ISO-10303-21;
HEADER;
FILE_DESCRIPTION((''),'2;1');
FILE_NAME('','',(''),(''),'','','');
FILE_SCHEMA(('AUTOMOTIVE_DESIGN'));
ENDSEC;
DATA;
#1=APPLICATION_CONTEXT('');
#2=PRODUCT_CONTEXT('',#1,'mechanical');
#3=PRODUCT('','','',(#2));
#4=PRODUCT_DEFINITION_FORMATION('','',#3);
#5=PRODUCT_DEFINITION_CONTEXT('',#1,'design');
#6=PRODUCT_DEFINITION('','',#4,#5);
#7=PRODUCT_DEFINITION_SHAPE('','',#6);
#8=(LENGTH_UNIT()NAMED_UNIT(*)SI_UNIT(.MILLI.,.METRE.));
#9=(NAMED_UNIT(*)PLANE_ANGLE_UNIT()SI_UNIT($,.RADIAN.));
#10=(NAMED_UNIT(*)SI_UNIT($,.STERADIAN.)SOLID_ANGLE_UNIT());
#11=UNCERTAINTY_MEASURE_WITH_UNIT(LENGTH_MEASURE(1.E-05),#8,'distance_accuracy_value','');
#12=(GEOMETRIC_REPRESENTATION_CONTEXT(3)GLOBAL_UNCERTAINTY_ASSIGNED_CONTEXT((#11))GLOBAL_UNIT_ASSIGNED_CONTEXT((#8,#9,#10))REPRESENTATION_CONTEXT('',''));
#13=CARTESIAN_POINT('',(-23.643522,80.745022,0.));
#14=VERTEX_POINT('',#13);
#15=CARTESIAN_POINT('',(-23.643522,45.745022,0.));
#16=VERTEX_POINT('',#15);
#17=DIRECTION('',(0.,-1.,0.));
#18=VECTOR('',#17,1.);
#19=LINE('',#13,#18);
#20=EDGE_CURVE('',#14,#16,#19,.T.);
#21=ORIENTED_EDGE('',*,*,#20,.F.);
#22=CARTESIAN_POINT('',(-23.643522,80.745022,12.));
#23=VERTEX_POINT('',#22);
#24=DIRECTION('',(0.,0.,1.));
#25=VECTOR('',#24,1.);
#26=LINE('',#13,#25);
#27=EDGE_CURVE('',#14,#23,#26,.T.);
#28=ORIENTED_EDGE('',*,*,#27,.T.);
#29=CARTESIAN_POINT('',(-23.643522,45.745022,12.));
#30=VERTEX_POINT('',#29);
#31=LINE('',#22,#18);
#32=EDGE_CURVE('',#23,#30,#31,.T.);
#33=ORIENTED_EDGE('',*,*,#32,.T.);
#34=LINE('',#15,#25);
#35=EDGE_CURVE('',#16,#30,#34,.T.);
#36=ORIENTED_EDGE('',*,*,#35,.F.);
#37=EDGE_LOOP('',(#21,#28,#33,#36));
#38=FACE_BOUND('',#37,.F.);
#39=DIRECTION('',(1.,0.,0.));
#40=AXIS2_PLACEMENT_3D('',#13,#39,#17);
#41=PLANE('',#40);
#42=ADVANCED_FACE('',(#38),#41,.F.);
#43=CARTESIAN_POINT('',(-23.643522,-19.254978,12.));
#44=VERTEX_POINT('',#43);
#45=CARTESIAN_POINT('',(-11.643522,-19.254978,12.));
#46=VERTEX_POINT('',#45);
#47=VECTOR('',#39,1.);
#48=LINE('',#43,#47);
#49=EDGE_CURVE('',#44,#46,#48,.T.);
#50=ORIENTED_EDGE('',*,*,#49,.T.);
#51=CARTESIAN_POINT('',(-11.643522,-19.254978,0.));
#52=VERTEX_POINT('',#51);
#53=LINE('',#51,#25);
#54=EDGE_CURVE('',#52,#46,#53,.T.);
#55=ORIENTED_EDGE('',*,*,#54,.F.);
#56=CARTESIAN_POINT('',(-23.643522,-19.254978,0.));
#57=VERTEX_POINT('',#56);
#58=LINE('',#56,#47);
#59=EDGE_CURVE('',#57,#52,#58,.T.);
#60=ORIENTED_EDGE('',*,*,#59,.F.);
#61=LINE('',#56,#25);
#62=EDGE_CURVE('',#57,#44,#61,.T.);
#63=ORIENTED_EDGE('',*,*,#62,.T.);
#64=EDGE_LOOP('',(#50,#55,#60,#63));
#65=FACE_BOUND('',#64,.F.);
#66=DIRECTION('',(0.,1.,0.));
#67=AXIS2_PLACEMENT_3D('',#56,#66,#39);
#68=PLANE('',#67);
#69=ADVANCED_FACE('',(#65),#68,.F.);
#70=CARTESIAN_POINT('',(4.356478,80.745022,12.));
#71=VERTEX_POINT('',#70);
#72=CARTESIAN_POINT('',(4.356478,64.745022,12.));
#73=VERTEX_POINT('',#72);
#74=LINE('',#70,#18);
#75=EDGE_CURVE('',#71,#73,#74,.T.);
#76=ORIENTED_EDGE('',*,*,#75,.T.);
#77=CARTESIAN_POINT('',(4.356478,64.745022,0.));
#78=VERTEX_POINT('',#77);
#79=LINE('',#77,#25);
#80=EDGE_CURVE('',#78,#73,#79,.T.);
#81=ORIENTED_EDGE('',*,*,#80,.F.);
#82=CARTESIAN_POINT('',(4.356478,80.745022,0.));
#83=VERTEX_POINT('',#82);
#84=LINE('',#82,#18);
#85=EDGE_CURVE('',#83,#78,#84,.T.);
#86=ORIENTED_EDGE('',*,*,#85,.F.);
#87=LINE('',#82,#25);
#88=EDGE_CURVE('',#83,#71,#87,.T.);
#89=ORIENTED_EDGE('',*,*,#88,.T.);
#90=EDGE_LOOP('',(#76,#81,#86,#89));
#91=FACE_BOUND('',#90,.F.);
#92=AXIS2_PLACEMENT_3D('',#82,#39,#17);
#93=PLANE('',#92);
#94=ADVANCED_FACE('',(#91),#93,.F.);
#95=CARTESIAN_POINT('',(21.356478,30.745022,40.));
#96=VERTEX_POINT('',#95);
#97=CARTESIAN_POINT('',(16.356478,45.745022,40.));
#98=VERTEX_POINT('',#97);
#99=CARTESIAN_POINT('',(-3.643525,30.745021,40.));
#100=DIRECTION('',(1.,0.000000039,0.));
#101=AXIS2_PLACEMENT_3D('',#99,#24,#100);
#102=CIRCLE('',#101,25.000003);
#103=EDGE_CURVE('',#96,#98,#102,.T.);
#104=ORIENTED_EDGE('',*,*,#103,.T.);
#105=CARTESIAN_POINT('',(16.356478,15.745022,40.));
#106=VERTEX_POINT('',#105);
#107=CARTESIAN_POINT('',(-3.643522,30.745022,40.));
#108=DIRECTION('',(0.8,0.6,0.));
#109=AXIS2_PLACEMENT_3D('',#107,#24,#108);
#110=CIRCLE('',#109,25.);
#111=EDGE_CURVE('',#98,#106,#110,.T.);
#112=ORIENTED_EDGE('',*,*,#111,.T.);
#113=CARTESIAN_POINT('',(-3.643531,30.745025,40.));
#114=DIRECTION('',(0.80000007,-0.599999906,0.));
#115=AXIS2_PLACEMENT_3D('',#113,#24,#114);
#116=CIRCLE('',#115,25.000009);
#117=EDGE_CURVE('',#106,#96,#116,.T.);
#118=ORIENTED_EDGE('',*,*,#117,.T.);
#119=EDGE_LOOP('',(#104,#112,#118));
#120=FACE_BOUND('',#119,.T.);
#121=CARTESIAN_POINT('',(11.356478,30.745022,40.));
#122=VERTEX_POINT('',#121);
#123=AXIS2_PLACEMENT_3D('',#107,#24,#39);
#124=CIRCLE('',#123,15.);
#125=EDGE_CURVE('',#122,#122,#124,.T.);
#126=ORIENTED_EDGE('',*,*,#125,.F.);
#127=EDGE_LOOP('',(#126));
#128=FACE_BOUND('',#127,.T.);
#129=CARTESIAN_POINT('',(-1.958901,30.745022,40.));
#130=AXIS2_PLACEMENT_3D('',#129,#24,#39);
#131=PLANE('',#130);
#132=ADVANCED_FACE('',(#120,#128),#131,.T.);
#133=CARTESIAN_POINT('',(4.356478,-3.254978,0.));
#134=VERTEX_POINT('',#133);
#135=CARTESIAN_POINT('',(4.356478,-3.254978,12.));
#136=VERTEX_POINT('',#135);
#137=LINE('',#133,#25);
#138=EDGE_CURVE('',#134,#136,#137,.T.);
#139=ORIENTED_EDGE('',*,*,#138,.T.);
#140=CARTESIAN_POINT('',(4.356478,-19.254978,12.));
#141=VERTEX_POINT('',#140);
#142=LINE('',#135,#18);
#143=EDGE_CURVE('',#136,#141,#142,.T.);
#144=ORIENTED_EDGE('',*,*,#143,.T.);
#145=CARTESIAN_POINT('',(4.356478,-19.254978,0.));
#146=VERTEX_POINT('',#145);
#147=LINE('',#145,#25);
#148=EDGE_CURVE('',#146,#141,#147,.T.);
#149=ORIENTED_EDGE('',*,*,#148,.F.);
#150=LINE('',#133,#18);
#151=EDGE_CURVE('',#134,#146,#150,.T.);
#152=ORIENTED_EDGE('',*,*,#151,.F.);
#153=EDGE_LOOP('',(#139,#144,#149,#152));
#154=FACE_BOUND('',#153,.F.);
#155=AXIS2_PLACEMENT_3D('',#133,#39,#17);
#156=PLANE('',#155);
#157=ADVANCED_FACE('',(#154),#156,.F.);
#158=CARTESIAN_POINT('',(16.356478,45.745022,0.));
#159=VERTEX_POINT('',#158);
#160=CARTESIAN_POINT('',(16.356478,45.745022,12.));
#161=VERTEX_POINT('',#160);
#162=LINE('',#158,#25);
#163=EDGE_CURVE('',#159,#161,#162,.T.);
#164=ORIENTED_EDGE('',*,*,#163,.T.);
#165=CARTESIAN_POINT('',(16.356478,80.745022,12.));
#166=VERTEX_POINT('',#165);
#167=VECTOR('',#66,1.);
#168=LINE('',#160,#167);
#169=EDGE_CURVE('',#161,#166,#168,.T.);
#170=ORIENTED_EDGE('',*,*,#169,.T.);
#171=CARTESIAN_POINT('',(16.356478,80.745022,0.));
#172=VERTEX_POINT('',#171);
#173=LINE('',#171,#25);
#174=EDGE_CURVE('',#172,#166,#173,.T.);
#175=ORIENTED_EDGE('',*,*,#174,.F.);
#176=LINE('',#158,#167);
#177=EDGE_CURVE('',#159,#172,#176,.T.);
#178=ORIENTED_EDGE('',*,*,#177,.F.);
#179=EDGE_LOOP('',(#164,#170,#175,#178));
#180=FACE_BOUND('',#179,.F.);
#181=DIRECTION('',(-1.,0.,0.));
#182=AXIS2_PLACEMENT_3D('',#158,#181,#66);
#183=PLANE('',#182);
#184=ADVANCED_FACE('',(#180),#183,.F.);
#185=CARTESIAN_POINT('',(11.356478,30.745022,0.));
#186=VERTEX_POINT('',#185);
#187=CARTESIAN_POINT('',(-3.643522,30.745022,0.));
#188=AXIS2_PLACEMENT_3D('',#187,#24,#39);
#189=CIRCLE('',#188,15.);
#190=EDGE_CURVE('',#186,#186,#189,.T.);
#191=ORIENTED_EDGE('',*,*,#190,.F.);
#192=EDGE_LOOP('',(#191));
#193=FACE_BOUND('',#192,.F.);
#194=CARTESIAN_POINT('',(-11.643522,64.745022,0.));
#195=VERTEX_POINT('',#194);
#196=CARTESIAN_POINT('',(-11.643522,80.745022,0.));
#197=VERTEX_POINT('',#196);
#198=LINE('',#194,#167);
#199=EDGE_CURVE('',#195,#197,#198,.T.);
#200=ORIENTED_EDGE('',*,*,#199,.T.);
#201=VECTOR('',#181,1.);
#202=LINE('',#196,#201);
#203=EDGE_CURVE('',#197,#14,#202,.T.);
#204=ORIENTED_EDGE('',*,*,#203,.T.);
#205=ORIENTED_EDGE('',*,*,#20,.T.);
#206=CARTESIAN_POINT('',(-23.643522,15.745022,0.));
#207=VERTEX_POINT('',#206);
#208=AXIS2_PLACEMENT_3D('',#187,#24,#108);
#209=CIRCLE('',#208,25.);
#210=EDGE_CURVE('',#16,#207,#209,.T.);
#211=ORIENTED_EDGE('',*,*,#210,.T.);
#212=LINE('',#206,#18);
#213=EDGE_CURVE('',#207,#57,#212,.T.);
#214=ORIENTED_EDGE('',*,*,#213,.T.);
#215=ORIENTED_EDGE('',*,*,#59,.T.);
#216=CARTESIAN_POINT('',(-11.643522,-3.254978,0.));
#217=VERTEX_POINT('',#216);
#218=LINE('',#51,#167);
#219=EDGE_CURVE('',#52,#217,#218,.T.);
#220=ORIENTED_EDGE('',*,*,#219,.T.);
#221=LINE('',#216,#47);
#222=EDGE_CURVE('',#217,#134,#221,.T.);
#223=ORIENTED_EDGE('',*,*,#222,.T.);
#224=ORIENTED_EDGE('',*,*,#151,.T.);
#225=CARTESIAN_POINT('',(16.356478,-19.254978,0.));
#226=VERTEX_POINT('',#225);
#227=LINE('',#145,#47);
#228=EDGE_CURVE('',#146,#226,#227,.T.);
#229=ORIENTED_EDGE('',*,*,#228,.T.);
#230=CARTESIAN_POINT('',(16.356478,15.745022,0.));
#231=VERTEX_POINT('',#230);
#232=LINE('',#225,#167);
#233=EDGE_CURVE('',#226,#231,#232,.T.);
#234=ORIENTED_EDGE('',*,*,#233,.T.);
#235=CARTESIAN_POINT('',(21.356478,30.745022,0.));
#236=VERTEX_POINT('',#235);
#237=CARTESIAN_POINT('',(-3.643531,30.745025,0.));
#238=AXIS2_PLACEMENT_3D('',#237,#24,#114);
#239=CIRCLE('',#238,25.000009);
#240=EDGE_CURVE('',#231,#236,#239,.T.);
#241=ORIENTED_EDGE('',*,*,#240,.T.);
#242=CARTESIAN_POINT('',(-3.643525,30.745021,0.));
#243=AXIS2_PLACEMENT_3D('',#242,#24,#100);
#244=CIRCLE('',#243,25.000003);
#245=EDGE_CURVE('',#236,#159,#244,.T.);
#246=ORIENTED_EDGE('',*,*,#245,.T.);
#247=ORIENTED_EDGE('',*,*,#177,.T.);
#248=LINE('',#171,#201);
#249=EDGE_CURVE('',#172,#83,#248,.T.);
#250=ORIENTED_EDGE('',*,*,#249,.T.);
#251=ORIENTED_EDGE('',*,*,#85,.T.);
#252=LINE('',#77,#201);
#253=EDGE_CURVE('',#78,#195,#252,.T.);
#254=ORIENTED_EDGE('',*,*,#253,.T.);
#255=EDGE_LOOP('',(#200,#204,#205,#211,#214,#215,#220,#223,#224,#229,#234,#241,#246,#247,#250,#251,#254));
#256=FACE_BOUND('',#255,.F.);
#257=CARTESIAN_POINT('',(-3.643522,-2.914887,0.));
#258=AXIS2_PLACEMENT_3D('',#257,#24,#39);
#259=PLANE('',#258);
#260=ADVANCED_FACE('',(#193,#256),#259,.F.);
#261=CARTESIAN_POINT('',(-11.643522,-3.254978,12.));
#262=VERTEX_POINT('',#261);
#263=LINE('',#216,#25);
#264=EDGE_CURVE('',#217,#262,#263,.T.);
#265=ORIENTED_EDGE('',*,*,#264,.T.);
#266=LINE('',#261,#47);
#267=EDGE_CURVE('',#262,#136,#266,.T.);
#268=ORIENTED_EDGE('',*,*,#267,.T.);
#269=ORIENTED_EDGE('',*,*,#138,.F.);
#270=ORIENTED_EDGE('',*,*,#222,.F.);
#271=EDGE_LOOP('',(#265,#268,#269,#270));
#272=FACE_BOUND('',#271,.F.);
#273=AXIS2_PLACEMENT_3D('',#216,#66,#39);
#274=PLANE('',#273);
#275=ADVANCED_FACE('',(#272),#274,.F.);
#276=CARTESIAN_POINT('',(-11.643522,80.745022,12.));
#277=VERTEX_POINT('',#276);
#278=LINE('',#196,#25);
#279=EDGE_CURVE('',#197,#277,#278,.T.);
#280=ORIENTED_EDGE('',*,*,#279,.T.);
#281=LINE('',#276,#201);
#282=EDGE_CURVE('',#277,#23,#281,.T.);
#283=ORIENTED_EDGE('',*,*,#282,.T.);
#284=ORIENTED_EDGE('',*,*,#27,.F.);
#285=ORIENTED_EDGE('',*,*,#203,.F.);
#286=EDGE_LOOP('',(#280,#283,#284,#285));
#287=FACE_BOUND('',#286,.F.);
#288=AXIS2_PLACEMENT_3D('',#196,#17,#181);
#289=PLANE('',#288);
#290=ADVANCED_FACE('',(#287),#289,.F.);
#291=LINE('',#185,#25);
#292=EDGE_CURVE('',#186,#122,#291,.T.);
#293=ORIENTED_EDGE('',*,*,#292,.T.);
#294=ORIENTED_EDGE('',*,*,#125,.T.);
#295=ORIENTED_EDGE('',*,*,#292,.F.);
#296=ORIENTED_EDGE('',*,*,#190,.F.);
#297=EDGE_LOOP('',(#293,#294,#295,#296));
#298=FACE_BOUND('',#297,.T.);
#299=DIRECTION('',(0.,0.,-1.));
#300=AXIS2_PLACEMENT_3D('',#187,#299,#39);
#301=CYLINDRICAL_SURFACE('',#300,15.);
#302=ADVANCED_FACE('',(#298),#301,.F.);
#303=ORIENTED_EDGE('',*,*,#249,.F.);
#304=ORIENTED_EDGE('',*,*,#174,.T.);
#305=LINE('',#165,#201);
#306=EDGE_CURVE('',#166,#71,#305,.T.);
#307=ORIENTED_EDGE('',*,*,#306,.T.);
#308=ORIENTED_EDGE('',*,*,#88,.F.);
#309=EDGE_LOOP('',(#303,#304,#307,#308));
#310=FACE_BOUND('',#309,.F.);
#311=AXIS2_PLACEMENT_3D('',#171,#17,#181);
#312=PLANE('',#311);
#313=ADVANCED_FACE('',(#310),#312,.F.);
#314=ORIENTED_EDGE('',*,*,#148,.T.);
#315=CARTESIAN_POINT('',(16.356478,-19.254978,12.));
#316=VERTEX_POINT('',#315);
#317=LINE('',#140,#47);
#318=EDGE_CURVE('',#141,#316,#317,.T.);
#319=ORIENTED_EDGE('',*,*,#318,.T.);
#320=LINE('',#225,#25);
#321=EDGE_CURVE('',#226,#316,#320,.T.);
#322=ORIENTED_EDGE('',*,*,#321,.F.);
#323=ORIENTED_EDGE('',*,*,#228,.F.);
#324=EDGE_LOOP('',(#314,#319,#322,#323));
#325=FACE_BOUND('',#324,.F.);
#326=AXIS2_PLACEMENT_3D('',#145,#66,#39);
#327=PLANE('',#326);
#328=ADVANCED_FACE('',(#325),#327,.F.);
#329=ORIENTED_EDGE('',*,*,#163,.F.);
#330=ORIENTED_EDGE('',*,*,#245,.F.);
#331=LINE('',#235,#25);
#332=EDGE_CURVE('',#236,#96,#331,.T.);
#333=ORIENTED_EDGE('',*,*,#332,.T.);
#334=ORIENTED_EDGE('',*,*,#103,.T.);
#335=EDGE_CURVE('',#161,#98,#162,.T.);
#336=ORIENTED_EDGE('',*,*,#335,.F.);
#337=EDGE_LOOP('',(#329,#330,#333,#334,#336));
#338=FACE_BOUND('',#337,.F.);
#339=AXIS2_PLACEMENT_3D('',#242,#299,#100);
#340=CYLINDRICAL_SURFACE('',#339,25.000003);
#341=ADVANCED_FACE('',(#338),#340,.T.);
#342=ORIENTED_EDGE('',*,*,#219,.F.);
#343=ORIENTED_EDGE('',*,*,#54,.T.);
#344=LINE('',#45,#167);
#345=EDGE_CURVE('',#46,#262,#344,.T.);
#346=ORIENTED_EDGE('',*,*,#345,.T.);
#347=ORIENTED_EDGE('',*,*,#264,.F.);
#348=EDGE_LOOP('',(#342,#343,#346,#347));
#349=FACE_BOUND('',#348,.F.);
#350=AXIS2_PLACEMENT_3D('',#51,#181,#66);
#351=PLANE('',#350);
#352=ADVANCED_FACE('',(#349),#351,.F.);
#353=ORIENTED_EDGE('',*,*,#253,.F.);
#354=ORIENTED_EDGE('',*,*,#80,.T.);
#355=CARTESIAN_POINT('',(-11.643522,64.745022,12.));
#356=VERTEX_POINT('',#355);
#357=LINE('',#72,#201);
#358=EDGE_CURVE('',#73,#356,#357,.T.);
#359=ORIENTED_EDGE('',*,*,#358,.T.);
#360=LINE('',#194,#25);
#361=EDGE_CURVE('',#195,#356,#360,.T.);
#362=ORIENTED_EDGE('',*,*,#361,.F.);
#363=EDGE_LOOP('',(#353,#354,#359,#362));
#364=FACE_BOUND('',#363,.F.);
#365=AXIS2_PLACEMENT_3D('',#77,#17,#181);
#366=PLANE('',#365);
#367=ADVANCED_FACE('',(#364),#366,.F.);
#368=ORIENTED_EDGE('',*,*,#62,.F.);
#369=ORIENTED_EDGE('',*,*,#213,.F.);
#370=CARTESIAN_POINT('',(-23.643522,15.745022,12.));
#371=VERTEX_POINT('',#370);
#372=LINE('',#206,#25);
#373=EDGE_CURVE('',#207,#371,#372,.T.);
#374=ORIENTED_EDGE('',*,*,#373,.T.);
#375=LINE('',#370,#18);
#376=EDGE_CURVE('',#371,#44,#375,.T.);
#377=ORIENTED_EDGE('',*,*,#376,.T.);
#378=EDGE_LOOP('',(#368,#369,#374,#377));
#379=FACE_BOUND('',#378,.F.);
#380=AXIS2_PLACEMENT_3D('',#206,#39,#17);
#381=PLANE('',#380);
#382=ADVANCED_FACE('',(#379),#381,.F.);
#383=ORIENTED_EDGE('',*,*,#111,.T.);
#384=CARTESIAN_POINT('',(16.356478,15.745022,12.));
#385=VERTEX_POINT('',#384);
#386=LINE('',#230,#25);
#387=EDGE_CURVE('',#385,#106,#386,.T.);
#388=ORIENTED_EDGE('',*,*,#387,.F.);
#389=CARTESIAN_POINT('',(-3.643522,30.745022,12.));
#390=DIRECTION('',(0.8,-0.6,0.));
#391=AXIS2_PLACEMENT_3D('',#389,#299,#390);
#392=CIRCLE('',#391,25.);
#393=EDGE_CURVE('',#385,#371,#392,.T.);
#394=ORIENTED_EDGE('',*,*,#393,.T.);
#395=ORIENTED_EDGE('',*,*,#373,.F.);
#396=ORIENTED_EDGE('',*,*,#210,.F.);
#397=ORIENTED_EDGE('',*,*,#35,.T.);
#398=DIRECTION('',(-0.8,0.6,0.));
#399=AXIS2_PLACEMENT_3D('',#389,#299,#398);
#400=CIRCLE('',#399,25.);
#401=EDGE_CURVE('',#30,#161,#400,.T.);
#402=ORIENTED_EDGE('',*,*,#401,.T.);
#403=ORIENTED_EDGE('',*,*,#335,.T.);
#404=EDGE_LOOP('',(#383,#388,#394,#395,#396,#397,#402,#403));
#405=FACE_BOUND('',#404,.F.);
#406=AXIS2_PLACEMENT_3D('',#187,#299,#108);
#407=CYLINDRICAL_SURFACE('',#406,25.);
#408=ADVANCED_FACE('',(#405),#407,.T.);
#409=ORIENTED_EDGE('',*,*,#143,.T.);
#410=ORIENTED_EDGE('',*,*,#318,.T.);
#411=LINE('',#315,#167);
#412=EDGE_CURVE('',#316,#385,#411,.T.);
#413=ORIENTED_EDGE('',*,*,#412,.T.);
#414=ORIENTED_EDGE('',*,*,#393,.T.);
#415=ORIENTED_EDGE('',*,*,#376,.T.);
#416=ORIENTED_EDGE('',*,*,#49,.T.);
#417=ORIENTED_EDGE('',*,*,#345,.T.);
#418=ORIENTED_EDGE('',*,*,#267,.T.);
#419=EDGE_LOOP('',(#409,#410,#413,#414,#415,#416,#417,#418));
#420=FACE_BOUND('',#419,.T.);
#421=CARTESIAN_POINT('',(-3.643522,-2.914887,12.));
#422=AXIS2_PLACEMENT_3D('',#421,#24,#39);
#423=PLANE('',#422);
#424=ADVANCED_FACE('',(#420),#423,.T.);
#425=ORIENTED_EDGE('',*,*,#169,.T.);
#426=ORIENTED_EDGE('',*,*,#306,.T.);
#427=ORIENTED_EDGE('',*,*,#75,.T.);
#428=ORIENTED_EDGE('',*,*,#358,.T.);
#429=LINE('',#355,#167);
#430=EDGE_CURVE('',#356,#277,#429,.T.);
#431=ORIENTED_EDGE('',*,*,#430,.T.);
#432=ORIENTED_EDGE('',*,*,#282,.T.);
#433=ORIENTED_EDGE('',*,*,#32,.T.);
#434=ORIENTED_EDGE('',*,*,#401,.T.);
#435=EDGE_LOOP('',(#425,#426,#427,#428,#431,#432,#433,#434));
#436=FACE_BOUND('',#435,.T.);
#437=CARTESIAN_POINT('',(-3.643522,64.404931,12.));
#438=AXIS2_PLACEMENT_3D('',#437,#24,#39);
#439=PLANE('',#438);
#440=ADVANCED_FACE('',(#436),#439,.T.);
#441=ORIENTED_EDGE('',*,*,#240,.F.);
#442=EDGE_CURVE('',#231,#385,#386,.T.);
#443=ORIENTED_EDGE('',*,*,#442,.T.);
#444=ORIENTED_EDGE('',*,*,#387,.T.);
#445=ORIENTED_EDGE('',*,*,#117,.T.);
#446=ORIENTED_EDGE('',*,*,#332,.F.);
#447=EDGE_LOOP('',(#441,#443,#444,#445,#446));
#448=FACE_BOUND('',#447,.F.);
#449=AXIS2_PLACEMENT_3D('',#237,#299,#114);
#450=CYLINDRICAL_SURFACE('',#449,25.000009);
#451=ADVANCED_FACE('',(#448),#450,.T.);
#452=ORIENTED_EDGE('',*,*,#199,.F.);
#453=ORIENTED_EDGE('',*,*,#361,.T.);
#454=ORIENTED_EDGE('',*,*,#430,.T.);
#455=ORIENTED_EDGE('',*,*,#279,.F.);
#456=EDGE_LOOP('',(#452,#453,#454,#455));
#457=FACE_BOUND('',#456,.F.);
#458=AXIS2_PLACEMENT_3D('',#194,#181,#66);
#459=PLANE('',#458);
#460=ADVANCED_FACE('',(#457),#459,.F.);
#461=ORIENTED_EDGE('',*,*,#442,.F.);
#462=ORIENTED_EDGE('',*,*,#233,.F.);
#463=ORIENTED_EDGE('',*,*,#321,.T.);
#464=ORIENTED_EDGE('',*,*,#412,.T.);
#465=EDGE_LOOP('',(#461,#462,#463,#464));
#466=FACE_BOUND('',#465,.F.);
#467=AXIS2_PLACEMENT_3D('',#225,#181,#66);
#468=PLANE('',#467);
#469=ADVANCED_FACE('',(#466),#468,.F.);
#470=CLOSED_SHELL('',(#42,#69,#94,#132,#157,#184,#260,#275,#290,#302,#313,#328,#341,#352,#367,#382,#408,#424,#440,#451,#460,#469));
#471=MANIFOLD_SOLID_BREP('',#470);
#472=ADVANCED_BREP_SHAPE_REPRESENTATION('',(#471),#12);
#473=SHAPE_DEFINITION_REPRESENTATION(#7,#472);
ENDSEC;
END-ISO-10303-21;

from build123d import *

# Parameters (mm, degrees)
F0_R     = 15
F1_DEPTH = 40
F2_DEPTH = 12


with BuildPart() as f1:
    # F0 (on Top) → F1 (new body)
    with BuildSketch(Plane.XY):
        with BuildLine():
            ThreePointArc((-23.643522, 45.745022), (-28.643522, 30.745022), (-23.643522, 15.745022))
            ThreePointArc((-23.643522, 15.745022), (-3.643522, 5.745022), (16.356478, 15.745022))
            ThreePointArc((16.356478, 15.745022), (20.07356, 22.839328), (21.356478, 30.745022))
            ThreePointArc((21.356478, 30.745022), (20.07356, 38.650717), (16.356478, 45.745022))
            ThreePointArc((16.356478, 45.745022), (-3.643522, 55.745022), (-23.643522, 45.745022))
        make_face()
        with Locations((-3.643522, 30.745022)):
            Circle(F0_R, mode=Mode.SUBTRACT)
    extrude(amount=F1_DEPTH)

    # F0 (on Top) → F2 (join)
    with BuildSketch(Plane.XY):
        with BuildLine():
            Line((-23.643522, 15.745022), (-23.643522, -19.254978))
            Line((-23.643522, -19.254978), (-11.643522, -19.254978))
            Line((-11.643522, -19.254978), (-11.643522, -3.254978))
            Line((-11.643522, -3.254978), (4.356478, -3.254978))
            Line((4.356478, -3.254978), (4.356478, -19.254978))
            Line((4.356478, -19.254978), (16.356478, -19.254978))
            Line((16.356478, -19.254978), (16.356478, 15.745022))
            ThreePointArc((16.356478, 15.745022), (-3.643522, 5.745022), (-23.643522, 15.745022))
        make_face()
        with BuildLine():
            Line((-23.643522, 80.745022), (-23.643522, 45.745022))
            ThreePointArc((-23.643522, 45.745022), (-3.643522, 55.745022), (16.356478, 45.745022))
            Line((16.356478, 45.745022), (16.356478, 80.745022))
            Line((16.356478, 80.745022), (4.356478, 80.745022))
            Line((4.356478, 80.745022), (4.356478, 64.745022))
            Line((4.356478, 64.745022), (-11.643522, 64.745022))
            Line((-11.643522, 64.745022), (-11.643522, 80.745022))
            Line((-11.643522, 80.745022), (-23.643522, 80.745022))
        make_face()
    extrude(amount=F2_DEPTH)


solid = f1.part
